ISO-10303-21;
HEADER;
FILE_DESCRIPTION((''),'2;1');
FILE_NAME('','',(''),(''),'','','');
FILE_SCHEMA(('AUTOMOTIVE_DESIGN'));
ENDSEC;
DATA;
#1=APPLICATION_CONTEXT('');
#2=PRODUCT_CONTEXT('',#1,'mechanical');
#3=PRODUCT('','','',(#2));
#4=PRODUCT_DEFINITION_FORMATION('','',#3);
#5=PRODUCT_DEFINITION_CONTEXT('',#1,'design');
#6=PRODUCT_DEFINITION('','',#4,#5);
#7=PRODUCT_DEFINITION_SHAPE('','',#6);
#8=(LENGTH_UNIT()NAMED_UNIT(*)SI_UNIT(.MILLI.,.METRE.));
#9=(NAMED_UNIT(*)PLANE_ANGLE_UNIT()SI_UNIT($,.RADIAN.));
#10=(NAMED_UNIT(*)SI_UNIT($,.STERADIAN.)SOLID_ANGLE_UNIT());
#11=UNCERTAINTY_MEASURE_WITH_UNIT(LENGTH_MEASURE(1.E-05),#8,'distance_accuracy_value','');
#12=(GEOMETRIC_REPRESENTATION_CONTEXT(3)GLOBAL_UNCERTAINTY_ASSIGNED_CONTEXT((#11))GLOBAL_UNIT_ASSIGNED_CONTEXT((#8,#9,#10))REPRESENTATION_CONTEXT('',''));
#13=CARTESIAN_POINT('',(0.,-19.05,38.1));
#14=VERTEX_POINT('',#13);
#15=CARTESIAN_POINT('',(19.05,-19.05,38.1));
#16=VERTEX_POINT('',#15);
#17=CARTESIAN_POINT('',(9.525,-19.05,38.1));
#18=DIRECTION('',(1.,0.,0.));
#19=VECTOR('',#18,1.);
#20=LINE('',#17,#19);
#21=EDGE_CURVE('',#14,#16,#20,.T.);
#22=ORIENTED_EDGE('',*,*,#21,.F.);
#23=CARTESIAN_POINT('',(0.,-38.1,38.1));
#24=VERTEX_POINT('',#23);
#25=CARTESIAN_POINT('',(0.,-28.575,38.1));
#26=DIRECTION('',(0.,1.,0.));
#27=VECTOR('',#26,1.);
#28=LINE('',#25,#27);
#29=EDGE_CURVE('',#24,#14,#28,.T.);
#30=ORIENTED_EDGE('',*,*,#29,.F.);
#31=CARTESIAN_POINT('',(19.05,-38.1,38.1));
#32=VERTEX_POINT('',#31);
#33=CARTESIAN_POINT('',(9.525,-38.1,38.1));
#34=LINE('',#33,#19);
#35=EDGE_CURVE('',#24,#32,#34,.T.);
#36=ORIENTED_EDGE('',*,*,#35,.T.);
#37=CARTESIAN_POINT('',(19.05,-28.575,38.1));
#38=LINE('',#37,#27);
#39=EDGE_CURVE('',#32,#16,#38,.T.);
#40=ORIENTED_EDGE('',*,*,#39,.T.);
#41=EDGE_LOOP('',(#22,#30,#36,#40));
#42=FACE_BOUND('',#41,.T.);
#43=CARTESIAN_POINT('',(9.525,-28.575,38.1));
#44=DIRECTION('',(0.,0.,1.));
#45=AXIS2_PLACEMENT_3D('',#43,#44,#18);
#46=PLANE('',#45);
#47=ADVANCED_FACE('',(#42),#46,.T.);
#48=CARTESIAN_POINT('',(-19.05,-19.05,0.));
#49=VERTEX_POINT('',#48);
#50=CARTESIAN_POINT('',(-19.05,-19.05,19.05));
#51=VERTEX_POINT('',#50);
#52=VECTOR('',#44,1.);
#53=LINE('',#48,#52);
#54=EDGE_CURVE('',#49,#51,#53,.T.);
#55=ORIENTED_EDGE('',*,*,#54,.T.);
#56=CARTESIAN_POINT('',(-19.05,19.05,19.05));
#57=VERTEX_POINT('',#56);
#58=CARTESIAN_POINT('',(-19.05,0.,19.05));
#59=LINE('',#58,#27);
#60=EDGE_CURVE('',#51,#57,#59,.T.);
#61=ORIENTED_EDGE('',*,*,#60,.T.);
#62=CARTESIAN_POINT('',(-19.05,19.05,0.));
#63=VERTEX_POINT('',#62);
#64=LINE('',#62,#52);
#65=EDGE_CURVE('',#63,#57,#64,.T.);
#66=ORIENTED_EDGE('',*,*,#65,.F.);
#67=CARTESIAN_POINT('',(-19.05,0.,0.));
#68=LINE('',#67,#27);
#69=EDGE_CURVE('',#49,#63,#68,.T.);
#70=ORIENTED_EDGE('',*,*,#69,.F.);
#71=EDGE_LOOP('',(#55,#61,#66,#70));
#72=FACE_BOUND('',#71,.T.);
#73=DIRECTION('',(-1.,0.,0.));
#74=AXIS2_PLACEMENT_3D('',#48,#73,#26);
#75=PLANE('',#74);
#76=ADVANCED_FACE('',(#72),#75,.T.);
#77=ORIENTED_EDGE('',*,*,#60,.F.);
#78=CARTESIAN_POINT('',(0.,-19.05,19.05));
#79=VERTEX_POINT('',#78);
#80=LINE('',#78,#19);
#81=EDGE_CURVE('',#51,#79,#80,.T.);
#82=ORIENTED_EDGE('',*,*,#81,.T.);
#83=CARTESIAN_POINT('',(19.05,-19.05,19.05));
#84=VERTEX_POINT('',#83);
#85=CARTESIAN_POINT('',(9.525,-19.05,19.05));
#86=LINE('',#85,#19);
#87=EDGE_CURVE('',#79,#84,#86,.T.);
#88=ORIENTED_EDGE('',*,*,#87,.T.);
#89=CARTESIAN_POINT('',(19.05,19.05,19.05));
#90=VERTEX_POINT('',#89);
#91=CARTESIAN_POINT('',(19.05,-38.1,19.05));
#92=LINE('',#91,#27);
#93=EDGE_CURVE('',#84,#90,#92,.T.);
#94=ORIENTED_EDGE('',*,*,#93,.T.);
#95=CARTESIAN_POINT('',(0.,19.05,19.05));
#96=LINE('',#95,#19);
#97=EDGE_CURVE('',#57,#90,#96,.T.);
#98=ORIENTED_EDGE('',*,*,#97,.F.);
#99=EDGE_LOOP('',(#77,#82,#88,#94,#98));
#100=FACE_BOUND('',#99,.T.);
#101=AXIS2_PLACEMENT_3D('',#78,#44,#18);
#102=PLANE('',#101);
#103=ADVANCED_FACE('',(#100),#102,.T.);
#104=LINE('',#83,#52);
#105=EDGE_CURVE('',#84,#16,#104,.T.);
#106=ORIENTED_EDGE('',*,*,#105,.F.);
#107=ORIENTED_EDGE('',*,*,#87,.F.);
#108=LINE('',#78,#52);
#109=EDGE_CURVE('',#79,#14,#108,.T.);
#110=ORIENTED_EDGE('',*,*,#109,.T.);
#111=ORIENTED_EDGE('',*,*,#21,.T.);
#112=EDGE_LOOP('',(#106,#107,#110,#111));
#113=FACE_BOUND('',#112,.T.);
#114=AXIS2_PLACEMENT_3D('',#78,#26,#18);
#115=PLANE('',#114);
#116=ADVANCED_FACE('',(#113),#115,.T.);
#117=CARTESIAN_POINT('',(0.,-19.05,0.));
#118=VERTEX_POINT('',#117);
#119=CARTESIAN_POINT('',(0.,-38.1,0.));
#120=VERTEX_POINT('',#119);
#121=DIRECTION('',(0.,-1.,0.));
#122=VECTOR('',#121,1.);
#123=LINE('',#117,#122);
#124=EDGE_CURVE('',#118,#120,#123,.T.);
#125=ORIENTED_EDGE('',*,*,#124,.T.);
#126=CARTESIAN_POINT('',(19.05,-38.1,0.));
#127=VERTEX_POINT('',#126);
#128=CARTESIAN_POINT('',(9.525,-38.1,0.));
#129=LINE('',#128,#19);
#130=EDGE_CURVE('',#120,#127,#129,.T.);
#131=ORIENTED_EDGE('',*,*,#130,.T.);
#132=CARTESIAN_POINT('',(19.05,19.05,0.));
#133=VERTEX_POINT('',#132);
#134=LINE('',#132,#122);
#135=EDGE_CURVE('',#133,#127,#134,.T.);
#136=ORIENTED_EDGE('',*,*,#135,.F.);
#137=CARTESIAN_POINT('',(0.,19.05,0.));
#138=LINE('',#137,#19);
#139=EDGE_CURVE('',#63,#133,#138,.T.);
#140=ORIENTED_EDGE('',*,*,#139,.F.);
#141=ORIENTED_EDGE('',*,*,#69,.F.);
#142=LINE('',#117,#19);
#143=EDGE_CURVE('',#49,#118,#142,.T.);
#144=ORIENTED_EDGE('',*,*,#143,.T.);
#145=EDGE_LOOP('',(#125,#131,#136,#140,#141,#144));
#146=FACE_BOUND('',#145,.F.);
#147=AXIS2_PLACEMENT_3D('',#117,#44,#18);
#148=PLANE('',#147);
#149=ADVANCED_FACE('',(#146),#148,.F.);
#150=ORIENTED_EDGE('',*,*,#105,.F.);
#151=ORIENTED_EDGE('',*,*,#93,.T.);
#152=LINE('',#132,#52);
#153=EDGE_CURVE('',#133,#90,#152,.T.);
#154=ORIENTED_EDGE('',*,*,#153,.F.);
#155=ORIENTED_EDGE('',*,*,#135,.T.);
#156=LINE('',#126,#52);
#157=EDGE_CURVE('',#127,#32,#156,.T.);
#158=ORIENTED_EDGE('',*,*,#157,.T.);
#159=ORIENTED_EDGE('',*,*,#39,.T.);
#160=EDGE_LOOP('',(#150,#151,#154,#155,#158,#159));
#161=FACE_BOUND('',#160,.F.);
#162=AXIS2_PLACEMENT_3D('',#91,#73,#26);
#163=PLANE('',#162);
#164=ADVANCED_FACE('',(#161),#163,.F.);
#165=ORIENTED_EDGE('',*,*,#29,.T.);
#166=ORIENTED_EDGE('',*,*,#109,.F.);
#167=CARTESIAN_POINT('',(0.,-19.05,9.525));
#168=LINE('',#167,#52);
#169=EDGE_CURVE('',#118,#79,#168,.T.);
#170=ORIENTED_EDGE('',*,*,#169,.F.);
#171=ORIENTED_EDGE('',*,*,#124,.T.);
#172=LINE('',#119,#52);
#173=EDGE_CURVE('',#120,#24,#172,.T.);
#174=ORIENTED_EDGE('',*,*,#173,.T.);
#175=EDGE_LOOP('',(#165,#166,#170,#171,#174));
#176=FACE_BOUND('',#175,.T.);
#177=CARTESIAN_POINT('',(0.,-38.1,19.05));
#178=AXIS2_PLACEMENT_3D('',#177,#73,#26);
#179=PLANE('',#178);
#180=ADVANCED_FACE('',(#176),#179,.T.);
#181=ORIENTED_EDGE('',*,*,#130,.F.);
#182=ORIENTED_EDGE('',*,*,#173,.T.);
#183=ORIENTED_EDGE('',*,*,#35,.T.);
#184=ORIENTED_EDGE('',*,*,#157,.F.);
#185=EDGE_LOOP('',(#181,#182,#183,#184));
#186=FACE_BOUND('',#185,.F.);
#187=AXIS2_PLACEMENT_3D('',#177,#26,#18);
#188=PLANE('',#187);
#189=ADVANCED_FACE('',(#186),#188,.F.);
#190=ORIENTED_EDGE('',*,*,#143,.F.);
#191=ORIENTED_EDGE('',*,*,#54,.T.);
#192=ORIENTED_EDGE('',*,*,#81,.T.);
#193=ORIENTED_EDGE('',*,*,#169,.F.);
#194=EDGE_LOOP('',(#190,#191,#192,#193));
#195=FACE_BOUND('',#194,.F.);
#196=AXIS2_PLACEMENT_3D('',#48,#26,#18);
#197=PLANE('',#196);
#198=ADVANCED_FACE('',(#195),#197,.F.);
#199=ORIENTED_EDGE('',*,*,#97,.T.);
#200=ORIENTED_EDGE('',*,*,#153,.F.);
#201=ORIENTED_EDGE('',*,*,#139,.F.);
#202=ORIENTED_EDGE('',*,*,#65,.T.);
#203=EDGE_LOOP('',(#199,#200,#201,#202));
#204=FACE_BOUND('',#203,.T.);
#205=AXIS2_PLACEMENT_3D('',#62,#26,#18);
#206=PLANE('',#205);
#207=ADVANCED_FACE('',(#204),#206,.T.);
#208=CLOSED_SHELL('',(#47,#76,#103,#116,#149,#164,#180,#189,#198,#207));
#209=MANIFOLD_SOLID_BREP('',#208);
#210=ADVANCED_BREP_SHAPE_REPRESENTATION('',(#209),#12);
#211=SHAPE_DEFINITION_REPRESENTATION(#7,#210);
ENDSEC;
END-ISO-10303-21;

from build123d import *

# Parameters (mm, degrees)
F0_W     = 38.1
F0_H     = 38.1
F1_DEPTH = 19.05
F2_W     = 19.05
F2_H     = 19.05
F3_DEPTH = 19.05
F4_W     = 19.05
F4_H     = 19.05
F5_DEPTH = 19.05


with BuildPart() as f1:
    # F0 (on Top) → F1 (new body)
    with BuildSketch(Plane.XY):
        Rectangle(F0_W, F0_H)
    extrude(amount=F1_DEPTH)

    # F2 (on face) → F3 (join)
    with BuildSketch(Plane.XZ.offset(19.05)):
        with Locations((9.525, 9.525)):
            Rectangle(F2_W, F2_H)
    extrude(amount=F3_DEPTH)

    # F4 (on face) → F5 (join)
    with BuildSketch(Plane.XY.offset(19.05)):
        with Locations((9.525, -28.575)):
            Rectangle(F4_W, F4_H)
    extrude(amount=F5_DEPTH)


solid = f1.part
